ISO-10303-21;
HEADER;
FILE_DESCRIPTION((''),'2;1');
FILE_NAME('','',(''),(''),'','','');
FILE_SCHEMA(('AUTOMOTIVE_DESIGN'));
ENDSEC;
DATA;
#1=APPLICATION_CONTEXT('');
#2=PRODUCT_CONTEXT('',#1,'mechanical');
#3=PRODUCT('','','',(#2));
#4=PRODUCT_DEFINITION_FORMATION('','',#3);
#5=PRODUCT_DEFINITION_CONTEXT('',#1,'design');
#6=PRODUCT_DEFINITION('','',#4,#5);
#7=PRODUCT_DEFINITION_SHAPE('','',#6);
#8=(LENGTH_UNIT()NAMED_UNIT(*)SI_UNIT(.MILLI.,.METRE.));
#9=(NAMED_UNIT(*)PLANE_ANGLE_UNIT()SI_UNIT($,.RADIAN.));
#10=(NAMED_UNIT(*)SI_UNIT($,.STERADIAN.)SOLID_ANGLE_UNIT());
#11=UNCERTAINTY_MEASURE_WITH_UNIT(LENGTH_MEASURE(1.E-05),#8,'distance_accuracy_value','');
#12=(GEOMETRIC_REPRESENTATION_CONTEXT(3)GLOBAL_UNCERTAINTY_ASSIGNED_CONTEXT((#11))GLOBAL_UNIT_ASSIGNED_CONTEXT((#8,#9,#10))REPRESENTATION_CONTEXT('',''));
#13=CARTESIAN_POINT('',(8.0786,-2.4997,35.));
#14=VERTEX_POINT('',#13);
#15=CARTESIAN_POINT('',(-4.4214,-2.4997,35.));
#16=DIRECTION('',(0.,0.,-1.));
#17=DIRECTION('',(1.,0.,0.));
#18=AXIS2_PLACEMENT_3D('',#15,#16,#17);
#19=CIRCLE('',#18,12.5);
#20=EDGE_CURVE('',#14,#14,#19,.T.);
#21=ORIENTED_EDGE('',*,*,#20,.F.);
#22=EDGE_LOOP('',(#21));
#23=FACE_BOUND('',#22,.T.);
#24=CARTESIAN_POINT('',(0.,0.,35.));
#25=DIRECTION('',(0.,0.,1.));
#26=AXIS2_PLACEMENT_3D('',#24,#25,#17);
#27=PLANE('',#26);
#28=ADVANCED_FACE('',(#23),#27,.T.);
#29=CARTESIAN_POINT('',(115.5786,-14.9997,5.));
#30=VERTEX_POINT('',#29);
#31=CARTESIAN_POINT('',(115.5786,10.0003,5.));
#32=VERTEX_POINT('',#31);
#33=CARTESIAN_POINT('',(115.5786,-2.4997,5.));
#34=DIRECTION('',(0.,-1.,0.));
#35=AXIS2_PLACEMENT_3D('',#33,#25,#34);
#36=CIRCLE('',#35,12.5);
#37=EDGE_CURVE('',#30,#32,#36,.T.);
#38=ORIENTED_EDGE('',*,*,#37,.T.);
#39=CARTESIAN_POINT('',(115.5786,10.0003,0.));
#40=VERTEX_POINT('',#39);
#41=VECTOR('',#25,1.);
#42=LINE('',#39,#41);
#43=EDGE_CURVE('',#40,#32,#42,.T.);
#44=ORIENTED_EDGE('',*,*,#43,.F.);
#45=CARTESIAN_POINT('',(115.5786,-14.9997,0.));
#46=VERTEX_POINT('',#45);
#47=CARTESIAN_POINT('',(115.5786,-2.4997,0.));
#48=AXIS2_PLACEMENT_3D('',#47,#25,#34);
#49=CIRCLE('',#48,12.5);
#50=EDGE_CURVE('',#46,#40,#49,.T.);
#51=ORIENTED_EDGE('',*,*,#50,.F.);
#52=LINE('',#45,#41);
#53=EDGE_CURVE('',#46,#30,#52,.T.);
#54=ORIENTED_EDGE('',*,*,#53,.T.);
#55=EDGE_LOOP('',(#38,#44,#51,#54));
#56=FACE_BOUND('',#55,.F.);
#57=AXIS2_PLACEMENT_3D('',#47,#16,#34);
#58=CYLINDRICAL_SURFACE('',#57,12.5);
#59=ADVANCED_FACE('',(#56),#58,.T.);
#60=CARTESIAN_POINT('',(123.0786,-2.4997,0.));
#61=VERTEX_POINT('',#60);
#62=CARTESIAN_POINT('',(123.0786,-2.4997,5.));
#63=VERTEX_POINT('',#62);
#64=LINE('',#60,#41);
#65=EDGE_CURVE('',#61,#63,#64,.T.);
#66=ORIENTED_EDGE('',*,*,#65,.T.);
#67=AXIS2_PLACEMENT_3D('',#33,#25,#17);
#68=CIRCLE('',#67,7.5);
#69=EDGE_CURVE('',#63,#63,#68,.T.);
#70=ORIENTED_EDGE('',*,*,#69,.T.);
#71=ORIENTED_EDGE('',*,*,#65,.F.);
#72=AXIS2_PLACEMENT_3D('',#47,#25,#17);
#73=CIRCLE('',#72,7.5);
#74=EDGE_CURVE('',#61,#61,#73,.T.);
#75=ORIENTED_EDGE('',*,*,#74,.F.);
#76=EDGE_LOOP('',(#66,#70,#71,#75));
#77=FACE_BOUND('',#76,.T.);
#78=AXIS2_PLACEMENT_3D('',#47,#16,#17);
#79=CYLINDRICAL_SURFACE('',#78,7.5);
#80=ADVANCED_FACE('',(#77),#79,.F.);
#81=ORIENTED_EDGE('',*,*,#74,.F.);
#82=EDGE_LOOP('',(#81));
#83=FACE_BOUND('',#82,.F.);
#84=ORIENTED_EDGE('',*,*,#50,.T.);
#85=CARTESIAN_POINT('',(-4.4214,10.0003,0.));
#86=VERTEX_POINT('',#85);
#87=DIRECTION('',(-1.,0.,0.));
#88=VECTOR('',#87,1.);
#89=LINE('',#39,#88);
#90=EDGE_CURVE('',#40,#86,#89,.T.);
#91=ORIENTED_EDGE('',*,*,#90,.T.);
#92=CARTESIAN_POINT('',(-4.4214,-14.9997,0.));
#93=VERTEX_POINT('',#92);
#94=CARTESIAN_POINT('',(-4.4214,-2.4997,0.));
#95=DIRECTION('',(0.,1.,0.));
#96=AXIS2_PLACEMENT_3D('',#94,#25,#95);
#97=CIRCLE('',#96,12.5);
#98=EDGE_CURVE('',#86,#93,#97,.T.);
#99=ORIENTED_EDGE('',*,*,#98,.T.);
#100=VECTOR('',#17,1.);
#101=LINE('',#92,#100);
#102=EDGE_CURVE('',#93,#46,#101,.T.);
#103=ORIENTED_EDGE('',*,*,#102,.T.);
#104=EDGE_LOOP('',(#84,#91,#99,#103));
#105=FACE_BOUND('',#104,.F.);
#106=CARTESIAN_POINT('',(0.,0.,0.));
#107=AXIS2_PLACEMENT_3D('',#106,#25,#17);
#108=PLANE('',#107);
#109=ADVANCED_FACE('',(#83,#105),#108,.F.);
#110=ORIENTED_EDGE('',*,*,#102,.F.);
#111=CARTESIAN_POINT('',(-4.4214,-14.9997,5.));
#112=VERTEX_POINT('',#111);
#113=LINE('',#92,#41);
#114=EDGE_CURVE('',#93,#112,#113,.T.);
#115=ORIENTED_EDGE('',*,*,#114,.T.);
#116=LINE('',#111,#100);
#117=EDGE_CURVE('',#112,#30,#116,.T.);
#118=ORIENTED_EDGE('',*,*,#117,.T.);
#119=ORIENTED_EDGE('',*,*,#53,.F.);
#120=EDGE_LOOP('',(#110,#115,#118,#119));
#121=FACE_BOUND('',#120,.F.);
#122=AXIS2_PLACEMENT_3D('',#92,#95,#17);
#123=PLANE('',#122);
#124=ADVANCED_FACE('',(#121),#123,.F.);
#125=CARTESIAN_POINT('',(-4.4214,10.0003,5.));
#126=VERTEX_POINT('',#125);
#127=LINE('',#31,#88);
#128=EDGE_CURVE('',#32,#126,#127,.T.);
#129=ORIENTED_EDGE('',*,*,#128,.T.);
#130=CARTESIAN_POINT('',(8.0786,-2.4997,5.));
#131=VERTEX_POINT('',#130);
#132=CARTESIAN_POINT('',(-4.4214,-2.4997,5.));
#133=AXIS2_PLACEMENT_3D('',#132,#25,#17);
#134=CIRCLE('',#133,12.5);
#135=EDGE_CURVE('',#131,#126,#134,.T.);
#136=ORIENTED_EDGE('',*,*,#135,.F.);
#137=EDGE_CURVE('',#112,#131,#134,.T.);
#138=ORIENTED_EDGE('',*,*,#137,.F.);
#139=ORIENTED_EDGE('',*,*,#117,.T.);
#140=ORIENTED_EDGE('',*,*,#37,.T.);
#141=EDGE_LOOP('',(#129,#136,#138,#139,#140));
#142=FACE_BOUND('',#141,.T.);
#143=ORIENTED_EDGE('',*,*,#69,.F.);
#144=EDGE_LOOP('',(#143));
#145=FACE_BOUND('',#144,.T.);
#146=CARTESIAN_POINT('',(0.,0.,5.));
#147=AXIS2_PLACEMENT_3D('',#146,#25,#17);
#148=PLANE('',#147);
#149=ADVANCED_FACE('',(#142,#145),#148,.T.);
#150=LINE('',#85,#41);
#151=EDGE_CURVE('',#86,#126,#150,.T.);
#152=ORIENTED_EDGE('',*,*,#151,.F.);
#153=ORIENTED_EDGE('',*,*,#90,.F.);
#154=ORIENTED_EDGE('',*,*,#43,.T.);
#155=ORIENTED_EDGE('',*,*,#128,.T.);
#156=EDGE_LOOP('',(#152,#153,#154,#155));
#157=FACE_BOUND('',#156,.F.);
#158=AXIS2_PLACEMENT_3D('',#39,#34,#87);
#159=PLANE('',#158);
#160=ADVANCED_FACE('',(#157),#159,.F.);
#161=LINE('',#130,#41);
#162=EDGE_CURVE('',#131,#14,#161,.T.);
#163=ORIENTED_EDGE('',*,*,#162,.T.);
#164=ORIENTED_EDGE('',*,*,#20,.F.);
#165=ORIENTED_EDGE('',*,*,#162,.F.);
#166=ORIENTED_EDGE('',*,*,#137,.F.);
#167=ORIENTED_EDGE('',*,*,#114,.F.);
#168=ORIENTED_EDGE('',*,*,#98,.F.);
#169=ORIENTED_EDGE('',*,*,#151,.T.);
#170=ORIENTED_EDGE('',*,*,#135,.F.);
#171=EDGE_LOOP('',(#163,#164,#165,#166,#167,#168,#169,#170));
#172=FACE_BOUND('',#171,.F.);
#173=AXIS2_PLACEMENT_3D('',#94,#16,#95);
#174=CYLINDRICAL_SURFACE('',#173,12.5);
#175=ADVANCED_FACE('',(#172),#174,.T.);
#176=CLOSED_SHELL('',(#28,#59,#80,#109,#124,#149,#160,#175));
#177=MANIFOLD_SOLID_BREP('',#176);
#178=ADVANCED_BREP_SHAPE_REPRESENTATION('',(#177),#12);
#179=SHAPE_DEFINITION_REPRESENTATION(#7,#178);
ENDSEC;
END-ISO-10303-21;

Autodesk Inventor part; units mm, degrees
ref_plane "YZ Plane" through (0, 0, 0) normal (1, 0, 0) x (0, 1, 0)
ref_plane "XZ Plane" through (0, 0, 0) normal (0, 1, 0) x (-1, 0, 0)
ref_plane "XY Plane" through (0, 0, 0) normal (0, 0, 1) x (1, 0, 0)
sketch "Boceto1" plane through (0, 0, 0) normal (0, 0, 1) x (1, 0, 0)
  line L0 (-4.4214, -2.4997) -> (115.5786, -2.4997) construction
  line L1 (-4.4214, -14.9997) -> (115.5786, -14.9997)
  line L2 (115.5786, 10.0003) -> (-4.4214, 10.0003)
  arc A0 (-4.4214, 10.0003) -> (-4.4214, -14.9997) centre (-4.4214, -2.4997) ccw
  arc A1 (115.5786, -14.9997) -> (115.5786, 10.0003) centre (115.5786, -2.4997) ccw
  circle A2 centre (115.5786, -2.4997) radius 7.5
  point P0 (0, 0)
  point P1 (55.5786, -2.4997)
  dimension "d3" = 120
  dimension "d4" = 25
  dimension "d5" = 15
extrude "Extrusión1" add sketch "Boceto1" along normal blind 5
sketch "Boceto4" plane through (0, 0, 5) normal (0, 0, 1) x (1, 0, 0)
  arc A0 (-4.4214, 10.0003) -> (-4.4214, -14.9997) centre (-4.4214, -2.4997) ccw projected
  circle A1 centre (-4.4214, -2.4997) radius 12.5
  point P0 (0, 0)
  point P1 (-4.4214, -14.9997)
  dimension "d12" = 25
extrude "Extrusión3" add sketch "Boceto4" along normal blind 30
properties part number "L1" material "Aluminio 6061"
